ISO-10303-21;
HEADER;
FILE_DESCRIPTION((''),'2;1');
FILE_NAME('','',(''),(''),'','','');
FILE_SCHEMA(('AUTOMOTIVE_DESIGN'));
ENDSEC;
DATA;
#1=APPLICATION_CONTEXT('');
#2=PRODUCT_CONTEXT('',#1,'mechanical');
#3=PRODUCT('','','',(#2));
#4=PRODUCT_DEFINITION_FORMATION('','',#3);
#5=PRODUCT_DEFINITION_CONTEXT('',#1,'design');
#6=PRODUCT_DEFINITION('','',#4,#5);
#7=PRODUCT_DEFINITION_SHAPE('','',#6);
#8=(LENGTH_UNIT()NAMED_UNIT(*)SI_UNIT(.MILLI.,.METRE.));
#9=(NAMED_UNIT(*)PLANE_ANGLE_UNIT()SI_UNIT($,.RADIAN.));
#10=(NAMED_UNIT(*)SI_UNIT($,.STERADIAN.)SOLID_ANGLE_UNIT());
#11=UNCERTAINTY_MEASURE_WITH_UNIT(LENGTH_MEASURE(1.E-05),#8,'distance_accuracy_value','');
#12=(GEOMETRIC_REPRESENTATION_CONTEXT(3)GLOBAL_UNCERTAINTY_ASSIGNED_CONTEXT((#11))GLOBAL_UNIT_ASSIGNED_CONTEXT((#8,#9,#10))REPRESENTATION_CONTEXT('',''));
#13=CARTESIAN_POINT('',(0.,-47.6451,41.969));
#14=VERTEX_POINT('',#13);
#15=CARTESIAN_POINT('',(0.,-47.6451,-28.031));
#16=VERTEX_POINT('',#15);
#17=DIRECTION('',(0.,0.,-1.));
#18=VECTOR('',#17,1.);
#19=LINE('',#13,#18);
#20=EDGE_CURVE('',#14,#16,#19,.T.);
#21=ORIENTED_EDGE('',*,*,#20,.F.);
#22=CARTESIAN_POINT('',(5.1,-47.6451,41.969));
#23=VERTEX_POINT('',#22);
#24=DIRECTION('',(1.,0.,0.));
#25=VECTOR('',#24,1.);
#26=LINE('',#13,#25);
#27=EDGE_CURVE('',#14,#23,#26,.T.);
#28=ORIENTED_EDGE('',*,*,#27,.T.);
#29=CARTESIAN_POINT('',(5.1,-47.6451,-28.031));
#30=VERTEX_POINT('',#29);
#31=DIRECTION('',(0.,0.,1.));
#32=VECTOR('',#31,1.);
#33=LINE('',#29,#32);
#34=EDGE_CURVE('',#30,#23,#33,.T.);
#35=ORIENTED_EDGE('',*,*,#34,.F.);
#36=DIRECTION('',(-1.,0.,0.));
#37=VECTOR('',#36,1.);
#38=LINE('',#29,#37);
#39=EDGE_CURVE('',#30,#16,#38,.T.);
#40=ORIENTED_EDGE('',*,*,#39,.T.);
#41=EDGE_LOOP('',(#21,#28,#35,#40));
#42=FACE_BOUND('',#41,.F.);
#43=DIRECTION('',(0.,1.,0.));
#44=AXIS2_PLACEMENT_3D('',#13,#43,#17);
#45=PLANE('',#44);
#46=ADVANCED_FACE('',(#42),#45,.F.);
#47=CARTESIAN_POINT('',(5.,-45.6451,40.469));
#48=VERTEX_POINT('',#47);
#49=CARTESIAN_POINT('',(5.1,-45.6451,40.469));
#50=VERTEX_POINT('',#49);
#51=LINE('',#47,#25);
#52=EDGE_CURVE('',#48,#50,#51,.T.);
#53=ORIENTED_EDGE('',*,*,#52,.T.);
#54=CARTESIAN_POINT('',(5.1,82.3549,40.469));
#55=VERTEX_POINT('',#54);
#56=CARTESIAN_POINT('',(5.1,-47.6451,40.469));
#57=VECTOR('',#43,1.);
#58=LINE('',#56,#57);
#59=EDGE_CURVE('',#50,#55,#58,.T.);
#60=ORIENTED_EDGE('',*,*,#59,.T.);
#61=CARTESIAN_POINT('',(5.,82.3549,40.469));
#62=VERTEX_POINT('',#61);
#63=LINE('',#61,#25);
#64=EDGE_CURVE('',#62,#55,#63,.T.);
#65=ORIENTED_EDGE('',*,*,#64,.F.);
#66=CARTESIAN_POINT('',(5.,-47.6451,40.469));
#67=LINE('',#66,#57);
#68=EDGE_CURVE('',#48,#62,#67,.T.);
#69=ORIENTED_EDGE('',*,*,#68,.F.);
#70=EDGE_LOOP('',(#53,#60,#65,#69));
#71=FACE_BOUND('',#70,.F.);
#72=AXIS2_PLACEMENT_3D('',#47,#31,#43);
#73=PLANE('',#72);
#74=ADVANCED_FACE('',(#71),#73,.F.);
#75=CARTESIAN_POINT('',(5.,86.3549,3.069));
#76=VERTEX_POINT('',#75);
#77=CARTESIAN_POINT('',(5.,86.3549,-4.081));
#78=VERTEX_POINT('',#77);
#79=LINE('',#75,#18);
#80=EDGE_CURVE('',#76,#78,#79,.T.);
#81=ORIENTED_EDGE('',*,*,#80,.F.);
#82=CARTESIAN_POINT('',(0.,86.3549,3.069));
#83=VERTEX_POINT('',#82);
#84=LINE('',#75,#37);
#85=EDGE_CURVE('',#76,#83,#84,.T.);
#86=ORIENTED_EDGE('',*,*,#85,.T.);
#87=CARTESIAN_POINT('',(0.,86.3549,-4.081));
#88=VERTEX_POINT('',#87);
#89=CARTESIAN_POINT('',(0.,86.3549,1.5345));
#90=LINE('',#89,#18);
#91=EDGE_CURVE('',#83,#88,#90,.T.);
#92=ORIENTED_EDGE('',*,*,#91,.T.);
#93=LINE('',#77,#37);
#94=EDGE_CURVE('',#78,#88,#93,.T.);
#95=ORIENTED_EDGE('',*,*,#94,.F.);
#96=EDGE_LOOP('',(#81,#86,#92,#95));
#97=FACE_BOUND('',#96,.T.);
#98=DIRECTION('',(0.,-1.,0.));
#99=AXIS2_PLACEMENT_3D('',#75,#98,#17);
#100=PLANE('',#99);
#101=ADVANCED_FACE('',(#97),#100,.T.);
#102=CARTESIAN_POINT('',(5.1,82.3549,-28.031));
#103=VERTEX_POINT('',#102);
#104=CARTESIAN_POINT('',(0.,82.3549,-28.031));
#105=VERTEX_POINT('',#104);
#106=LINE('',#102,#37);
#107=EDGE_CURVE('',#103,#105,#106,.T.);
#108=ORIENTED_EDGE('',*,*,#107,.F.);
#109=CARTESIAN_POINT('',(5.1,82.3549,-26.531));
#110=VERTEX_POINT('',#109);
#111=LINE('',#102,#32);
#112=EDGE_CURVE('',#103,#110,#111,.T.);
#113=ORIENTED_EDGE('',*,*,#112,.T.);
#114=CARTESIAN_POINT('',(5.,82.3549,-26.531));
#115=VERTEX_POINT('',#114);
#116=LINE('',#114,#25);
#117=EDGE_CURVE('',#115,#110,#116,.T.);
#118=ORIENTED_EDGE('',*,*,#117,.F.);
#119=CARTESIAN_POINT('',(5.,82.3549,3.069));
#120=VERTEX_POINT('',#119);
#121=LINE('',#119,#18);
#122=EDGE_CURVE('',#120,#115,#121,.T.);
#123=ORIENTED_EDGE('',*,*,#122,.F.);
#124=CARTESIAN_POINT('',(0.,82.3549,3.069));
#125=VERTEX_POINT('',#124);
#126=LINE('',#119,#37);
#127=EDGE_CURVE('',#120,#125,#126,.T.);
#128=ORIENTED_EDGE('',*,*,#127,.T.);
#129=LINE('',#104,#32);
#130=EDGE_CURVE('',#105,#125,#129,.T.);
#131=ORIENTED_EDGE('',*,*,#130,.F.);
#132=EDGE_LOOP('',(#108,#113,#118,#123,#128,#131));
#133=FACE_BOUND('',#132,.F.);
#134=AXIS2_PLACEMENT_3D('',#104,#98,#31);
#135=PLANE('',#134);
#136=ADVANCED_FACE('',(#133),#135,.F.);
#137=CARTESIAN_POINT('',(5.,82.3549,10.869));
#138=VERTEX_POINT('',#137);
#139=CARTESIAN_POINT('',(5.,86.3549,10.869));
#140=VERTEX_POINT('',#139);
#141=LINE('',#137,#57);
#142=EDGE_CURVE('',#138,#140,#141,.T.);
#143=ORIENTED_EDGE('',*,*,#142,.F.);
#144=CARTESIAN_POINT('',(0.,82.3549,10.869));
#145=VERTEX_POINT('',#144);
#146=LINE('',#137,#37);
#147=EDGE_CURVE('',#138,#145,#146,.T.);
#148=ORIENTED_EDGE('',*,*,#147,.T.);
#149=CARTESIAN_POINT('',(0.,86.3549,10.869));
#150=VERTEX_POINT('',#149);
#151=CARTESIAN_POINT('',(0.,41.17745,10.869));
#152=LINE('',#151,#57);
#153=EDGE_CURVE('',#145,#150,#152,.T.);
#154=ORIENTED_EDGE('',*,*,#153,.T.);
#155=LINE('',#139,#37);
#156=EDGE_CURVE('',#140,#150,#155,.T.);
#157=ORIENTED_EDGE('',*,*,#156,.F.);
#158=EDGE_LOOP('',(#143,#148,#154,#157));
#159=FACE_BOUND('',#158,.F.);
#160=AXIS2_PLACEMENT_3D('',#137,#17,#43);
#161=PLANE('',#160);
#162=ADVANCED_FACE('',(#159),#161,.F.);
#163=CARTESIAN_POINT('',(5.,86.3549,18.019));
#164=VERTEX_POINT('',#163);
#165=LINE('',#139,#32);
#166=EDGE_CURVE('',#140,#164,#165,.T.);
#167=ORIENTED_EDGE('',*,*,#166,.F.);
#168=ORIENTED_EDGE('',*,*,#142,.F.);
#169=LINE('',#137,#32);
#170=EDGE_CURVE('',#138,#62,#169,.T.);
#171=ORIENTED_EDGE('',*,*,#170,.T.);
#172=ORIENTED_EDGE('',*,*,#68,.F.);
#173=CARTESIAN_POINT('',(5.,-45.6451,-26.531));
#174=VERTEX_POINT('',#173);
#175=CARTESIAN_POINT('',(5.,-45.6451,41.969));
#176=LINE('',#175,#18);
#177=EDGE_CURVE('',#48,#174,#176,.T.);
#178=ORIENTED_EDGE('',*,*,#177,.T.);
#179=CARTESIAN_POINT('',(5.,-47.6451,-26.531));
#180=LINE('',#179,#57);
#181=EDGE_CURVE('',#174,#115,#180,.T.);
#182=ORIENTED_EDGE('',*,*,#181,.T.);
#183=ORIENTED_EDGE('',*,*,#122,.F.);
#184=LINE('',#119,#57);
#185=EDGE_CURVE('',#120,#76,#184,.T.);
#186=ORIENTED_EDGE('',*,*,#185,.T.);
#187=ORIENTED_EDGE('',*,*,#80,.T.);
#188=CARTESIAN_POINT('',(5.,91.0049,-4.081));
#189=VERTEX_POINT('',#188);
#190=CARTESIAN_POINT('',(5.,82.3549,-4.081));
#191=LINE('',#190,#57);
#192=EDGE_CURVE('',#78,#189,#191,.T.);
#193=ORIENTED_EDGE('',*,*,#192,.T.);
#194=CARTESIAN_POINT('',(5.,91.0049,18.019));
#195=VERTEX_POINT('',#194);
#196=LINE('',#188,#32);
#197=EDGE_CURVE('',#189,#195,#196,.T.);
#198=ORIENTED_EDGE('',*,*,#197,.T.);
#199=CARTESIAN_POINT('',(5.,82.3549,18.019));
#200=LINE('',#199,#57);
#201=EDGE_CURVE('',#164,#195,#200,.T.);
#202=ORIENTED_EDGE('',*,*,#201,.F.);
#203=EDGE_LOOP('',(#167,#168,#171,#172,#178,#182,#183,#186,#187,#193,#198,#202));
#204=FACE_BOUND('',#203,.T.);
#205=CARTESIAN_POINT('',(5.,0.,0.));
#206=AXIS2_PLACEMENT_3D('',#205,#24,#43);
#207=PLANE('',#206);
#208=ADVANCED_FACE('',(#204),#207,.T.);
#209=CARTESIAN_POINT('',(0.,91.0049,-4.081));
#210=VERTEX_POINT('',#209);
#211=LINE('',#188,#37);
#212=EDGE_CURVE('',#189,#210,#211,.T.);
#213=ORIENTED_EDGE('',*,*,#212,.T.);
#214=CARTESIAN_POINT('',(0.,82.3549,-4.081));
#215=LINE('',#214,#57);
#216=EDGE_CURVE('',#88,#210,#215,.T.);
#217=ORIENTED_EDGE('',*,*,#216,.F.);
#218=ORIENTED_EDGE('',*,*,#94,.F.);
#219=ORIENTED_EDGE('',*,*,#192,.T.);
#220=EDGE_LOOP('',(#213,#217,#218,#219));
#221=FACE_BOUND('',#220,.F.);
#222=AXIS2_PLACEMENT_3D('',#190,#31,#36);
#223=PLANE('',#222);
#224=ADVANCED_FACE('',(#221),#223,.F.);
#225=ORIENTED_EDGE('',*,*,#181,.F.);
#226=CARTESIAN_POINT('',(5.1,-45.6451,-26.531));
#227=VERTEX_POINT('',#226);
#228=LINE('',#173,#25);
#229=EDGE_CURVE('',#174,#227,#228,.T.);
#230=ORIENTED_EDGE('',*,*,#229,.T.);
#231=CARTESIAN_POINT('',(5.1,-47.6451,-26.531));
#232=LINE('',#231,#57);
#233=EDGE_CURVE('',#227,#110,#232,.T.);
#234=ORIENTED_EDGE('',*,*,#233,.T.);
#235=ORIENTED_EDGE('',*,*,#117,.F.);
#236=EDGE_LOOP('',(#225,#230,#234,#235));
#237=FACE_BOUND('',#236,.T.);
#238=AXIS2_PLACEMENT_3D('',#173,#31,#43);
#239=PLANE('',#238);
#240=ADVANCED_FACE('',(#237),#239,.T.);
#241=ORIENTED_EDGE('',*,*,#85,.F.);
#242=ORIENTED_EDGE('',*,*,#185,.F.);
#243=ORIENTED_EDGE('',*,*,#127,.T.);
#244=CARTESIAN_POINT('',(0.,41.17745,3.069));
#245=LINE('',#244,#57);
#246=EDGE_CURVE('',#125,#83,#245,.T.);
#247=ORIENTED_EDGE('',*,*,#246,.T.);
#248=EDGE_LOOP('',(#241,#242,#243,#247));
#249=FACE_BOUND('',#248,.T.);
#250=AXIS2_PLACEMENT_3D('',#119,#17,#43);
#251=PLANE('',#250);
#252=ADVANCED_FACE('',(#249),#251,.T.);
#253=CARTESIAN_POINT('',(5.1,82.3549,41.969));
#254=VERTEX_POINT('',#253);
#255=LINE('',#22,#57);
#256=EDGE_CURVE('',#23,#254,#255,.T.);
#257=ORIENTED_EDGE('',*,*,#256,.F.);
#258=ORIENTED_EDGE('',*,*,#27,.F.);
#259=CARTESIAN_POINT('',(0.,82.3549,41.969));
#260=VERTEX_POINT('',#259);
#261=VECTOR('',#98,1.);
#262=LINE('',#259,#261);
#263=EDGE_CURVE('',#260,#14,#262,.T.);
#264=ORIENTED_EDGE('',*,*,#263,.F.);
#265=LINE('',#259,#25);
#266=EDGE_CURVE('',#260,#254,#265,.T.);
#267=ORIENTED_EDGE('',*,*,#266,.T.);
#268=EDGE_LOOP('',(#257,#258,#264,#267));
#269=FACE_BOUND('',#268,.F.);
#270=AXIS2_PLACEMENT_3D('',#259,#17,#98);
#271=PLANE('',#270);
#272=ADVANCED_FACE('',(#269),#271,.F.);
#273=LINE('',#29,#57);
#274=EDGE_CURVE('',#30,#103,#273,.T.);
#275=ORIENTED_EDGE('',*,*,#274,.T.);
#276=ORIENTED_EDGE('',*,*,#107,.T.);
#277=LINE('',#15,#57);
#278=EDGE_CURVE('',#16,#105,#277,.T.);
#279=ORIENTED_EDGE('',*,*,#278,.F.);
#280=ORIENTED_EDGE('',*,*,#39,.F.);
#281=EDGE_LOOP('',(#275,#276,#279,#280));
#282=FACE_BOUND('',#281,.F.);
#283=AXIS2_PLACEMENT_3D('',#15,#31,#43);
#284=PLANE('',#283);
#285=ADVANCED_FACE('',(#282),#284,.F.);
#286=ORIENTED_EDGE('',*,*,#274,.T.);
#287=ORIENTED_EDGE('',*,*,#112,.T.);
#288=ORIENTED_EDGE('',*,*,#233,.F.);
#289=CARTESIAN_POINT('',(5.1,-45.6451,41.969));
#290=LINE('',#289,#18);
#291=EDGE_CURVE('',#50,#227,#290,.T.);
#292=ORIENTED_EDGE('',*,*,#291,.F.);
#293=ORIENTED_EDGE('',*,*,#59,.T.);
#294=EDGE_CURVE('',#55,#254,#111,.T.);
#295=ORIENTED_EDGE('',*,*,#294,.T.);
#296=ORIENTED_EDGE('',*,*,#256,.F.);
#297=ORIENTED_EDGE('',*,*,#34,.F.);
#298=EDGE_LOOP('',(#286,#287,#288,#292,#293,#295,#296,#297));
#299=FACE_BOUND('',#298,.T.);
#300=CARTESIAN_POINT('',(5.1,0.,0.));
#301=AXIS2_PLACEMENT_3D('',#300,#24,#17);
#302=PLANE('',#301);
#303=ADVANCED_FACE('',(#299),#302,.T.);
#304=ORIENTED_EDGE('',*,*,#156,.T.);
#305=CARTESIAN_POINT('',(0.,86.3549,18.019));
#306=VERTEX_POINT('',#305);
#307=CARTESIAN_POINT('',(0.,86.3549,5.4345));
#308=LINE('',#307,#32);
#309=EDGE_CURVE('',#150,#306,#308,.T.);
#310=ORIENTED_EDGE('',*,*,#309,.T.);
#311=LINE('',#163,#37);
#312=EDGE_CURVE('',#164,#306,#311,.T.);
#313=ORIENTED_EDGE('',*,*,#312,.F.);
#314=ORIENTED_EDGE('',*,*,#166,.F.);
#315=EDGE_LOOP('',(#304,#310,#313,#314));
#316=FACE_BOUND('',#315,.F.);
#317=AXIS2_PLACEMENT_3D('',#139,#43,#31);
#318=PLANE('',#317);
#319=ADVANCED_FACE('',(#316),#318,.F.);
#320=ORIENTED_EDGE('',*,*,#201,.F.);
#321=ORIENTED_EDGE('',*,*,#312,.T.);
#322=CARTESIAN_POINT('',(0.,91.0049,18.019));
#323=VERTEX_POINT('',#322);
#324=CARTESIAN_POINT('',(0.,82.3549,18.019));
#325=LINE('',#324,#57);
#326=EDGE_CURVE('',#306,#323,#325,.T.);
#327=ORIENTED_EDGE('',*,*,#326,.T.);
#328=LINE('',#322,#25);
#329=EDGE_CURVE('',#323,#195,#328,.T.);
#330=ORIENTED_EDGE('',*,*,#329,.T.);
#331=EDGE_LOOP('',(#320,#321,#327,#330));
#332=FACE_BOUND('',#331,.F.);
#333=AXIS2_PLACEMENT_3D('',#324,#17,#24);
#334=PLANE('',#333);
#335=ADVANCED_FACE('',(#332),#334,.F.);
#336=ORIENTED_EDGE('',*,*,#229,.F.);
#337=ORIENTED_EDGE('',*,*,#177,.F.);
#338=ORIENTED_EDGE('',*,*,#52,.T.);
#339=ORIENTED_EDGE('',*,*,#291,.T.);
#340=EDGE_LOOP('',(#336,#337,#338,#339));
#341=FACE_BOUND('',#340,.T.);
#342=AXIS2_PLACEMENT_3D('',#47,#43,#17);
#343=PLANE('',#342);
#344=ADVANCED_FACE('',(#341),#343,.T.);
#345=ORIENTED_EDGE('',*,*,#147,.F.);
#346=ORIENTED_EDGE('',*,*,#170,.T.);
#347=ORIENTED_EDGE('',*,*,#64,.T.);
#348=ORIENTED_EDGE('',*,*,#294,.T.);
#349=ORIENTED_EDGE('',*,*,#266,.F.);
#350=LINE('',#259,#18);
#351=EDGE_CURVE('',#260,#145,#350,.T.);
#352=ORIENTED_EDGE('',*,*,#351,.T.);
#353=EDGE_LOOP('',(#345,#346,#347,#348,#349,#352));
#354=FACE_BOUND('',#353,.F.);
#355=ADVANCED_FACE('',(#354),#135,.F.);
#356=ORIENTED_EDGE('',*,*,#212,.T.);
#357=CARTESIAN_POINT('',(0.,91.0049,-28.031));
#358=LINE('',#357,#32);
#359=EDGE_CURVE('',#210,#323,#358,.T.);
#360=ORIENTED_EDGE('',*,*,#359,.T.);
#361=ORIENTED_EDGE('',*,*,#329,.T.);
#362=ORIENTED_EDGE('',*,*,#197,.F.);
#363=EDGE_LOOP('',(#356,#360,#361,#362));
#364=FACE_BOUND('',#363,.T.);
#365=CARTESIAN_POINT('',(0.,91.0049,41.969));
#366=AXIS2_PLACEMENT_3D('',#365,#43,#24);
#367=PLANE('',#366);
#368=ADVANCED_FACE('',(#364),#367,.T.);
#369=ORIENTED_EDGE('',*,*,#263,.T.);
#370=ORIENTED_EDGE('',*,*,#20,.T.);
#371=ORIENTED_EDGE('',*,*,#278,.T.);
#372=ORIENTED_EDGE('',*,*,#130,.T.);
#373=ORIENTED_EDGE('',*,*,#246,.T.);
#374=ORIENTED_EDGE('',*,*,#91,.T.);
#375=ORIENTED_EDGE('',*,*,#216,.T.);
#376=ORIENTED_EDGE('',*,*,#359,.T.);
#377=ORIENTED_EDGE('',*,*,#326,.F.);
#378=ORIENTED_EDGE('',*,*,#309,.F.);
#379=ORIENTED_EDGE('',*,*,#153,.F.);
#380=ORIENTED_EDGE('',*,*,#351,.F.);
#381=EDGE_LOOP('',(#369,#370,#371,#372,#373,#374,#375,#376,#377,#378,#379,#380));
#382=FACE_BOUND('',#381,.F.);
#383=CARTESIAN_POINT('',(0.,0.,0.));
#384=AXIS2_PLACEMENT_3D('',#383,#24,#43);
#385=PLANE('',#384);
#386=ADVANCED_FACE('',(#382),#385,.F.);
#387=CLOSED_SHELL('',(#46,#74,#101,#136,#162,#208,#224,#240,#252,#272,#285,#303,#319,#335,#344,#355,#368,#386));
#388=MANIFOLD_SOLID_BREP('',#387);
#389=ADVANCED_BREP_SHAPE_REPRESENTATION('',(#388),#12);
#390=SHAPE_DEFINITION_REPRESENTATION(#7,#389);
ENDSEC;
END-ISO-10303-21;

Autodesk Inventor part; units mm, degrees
ref_plane "YZ Plane" through (0, 0, 0) normal (1, 0, 0) x (0, 1, 0)
ref_plane "XZ Plane" through (0, 0, 0) normal (0, 1, 0) x (-1, 0, 0)
ref_plane "XY Plane" through (0, 0, 0) normal (0, 0, 1) x (1, 0, 0)
sketch "Sketch1" plane through (0, 0, 0) normal (1, 0, 0) x (0, 1, 0)
  line L0 (82.3549, 41.969) -> (-47.6451, 41.969)
  line L1 (-47.6451, 41.969) -> (-47.6451, -28.031)
  line L2 (-47.6451, -28.031) -> (82.3549, -28.031)
  line L3 (82.3549, -28.031) -> (82.3549, 41.969)
  point P0 (0, 0)
  dimension "d0" = 130
  dimension "d1" = 70
extrude "Extrusion1" add sketch "Sketch1" along normal blind 5
sketch "Sketch13" plane through (5, 0, 0) normal (1, 0, 0) x (0, 0, -1)
  line L0 (-41.969, -47.6451) -> (28.031, -47.6451) projected
  line L1 (28.031, 82.3549) -> (-41.969, 82.3549) projected
  line L2 (28.031, -47.6451) -> (26.531, -47.6451)
  line L3 (26.531, -47.6451) -> (26.531, 82.3549)
  line L4 (26.531, 82.3549) -> (28.031, 82.3549)
  line L5 (28.031, 82.3549) -> (28.031, -47.6451)
  line L6 (-41.969, 82.3549) -> (-41.969, -47.6451) projected
  line L7 (28.031, 82.3549) -> (-41.969, 82.3549) projected
  line L8 (-41.969, -47.6451) -> (-40.469, -47.6451)
  line L9 (-40.469, -47.6451) -> (-40.469, 82.3549)
  line L10 (-40.469, 82.3549) -> (-41.969, 82.3549)
  line L11 (-41.969, 82.3549) -> (-41.969, -47.6451)
  line L12 (28.031, -47.6451) -> (-41.969, -47.6451)
  line L13 (-41.969, -47.6451) -> (-41.969, -45.6451)
  line L14 (-41.969, -45.6451) -> (28.031, -45.6451)
  line L15 (28.031, -45.6451) -> (28.031, -47.6451)
  point P0 (0, 0)
  point P1 (10.031, 62.3549)
  point P2 (-5.969, 62.3549)
  point P3 (26.531, -45.6451)
  point P4 (-40.469, -45.6451)
  point P5 (18.031, 62.3549)
  dimension "d42" = 1.5
  dimension "d43" = 1.5
  dimension "d44" = 2
extrude "Extrusion7" add sketch "Sketch13" along normal blind 0.1 contours L6 L14 L9 L0 | L9 L14 L3 L0 | L6 L1 L9 L14 | L3 L14 L5 L0 | L3 L1 L5 L14
sketch "Sketch14" plane through (0, 82.3549, 41.969) normal (0, 1, 0) x (1, 0, 0)
  line L0 (5, 1.5) -> (5, 68.5) projected
  line L1 (5, 68.5) -> (5, 46.05)
  line L2 (5, 1.5) -> (5, 23.95)
  line L3 (5, 46.05) -> (0, 46.05)
  line L4 (5, 29.05) -> (5, 46.05)
  line L5 (0, 70) -> (0, 0) projected
  line L6 (5, 46.05) -> (0, 46.05)
  line L7 (0, 46.05) -> (0, 23.95)
  line L8 (0, 23.95) -> (5, 23.95)
  line L9 (5, 23.95) -> (5, 46.05)
  point P0 (0, 41.969)
  dimension "d47" = 22.45
  dimension "d48" = 22.45
extrude "Extrusion8" add sketch "Sketch14" along normal blind 8.65
sketch "Sketch15" plane through (5, 0, 0) normal (1, 0, 0) x (0, 0, -1)
  line L0 (28.031, 82.3549) -> (4.081, 82.3549) projected
  line L1 (4.081, 82.3549) -> (-3.069, 82.3549)
  line L2 (-3.069, 82.3549) -> (-3.069, 86.3549)
  line L3 (-3.069, 86.3549) -> (4.081, 86.3549)
  line L4 (4.081, 86.3549) -> (4.081, 82.3549)
  line L5 (-18.019, 82.3549) -> (-40.469, 82.3549) projected
  line L6 (-18.019, 82.3549) -> (-10.869, 82.3549)
  line L7 (-10.869, 82.3549) -> (-10.869, 86.3549)
  line L8 (-10.869, 86.3549) -> (-18.019, 86.3549)
  line L9 (-18.019, 86.3549) -> (-18.019, 82.3549)
  point P0 (0, 0)
  dimension "d51" = 7.15
  dimension "d52" = 7.15
  dimension "d55" = 4
extrude "Extrusion9" cut sketch "Sketch15" against normal blind 8.65
properties part number "baseplateproto1"
